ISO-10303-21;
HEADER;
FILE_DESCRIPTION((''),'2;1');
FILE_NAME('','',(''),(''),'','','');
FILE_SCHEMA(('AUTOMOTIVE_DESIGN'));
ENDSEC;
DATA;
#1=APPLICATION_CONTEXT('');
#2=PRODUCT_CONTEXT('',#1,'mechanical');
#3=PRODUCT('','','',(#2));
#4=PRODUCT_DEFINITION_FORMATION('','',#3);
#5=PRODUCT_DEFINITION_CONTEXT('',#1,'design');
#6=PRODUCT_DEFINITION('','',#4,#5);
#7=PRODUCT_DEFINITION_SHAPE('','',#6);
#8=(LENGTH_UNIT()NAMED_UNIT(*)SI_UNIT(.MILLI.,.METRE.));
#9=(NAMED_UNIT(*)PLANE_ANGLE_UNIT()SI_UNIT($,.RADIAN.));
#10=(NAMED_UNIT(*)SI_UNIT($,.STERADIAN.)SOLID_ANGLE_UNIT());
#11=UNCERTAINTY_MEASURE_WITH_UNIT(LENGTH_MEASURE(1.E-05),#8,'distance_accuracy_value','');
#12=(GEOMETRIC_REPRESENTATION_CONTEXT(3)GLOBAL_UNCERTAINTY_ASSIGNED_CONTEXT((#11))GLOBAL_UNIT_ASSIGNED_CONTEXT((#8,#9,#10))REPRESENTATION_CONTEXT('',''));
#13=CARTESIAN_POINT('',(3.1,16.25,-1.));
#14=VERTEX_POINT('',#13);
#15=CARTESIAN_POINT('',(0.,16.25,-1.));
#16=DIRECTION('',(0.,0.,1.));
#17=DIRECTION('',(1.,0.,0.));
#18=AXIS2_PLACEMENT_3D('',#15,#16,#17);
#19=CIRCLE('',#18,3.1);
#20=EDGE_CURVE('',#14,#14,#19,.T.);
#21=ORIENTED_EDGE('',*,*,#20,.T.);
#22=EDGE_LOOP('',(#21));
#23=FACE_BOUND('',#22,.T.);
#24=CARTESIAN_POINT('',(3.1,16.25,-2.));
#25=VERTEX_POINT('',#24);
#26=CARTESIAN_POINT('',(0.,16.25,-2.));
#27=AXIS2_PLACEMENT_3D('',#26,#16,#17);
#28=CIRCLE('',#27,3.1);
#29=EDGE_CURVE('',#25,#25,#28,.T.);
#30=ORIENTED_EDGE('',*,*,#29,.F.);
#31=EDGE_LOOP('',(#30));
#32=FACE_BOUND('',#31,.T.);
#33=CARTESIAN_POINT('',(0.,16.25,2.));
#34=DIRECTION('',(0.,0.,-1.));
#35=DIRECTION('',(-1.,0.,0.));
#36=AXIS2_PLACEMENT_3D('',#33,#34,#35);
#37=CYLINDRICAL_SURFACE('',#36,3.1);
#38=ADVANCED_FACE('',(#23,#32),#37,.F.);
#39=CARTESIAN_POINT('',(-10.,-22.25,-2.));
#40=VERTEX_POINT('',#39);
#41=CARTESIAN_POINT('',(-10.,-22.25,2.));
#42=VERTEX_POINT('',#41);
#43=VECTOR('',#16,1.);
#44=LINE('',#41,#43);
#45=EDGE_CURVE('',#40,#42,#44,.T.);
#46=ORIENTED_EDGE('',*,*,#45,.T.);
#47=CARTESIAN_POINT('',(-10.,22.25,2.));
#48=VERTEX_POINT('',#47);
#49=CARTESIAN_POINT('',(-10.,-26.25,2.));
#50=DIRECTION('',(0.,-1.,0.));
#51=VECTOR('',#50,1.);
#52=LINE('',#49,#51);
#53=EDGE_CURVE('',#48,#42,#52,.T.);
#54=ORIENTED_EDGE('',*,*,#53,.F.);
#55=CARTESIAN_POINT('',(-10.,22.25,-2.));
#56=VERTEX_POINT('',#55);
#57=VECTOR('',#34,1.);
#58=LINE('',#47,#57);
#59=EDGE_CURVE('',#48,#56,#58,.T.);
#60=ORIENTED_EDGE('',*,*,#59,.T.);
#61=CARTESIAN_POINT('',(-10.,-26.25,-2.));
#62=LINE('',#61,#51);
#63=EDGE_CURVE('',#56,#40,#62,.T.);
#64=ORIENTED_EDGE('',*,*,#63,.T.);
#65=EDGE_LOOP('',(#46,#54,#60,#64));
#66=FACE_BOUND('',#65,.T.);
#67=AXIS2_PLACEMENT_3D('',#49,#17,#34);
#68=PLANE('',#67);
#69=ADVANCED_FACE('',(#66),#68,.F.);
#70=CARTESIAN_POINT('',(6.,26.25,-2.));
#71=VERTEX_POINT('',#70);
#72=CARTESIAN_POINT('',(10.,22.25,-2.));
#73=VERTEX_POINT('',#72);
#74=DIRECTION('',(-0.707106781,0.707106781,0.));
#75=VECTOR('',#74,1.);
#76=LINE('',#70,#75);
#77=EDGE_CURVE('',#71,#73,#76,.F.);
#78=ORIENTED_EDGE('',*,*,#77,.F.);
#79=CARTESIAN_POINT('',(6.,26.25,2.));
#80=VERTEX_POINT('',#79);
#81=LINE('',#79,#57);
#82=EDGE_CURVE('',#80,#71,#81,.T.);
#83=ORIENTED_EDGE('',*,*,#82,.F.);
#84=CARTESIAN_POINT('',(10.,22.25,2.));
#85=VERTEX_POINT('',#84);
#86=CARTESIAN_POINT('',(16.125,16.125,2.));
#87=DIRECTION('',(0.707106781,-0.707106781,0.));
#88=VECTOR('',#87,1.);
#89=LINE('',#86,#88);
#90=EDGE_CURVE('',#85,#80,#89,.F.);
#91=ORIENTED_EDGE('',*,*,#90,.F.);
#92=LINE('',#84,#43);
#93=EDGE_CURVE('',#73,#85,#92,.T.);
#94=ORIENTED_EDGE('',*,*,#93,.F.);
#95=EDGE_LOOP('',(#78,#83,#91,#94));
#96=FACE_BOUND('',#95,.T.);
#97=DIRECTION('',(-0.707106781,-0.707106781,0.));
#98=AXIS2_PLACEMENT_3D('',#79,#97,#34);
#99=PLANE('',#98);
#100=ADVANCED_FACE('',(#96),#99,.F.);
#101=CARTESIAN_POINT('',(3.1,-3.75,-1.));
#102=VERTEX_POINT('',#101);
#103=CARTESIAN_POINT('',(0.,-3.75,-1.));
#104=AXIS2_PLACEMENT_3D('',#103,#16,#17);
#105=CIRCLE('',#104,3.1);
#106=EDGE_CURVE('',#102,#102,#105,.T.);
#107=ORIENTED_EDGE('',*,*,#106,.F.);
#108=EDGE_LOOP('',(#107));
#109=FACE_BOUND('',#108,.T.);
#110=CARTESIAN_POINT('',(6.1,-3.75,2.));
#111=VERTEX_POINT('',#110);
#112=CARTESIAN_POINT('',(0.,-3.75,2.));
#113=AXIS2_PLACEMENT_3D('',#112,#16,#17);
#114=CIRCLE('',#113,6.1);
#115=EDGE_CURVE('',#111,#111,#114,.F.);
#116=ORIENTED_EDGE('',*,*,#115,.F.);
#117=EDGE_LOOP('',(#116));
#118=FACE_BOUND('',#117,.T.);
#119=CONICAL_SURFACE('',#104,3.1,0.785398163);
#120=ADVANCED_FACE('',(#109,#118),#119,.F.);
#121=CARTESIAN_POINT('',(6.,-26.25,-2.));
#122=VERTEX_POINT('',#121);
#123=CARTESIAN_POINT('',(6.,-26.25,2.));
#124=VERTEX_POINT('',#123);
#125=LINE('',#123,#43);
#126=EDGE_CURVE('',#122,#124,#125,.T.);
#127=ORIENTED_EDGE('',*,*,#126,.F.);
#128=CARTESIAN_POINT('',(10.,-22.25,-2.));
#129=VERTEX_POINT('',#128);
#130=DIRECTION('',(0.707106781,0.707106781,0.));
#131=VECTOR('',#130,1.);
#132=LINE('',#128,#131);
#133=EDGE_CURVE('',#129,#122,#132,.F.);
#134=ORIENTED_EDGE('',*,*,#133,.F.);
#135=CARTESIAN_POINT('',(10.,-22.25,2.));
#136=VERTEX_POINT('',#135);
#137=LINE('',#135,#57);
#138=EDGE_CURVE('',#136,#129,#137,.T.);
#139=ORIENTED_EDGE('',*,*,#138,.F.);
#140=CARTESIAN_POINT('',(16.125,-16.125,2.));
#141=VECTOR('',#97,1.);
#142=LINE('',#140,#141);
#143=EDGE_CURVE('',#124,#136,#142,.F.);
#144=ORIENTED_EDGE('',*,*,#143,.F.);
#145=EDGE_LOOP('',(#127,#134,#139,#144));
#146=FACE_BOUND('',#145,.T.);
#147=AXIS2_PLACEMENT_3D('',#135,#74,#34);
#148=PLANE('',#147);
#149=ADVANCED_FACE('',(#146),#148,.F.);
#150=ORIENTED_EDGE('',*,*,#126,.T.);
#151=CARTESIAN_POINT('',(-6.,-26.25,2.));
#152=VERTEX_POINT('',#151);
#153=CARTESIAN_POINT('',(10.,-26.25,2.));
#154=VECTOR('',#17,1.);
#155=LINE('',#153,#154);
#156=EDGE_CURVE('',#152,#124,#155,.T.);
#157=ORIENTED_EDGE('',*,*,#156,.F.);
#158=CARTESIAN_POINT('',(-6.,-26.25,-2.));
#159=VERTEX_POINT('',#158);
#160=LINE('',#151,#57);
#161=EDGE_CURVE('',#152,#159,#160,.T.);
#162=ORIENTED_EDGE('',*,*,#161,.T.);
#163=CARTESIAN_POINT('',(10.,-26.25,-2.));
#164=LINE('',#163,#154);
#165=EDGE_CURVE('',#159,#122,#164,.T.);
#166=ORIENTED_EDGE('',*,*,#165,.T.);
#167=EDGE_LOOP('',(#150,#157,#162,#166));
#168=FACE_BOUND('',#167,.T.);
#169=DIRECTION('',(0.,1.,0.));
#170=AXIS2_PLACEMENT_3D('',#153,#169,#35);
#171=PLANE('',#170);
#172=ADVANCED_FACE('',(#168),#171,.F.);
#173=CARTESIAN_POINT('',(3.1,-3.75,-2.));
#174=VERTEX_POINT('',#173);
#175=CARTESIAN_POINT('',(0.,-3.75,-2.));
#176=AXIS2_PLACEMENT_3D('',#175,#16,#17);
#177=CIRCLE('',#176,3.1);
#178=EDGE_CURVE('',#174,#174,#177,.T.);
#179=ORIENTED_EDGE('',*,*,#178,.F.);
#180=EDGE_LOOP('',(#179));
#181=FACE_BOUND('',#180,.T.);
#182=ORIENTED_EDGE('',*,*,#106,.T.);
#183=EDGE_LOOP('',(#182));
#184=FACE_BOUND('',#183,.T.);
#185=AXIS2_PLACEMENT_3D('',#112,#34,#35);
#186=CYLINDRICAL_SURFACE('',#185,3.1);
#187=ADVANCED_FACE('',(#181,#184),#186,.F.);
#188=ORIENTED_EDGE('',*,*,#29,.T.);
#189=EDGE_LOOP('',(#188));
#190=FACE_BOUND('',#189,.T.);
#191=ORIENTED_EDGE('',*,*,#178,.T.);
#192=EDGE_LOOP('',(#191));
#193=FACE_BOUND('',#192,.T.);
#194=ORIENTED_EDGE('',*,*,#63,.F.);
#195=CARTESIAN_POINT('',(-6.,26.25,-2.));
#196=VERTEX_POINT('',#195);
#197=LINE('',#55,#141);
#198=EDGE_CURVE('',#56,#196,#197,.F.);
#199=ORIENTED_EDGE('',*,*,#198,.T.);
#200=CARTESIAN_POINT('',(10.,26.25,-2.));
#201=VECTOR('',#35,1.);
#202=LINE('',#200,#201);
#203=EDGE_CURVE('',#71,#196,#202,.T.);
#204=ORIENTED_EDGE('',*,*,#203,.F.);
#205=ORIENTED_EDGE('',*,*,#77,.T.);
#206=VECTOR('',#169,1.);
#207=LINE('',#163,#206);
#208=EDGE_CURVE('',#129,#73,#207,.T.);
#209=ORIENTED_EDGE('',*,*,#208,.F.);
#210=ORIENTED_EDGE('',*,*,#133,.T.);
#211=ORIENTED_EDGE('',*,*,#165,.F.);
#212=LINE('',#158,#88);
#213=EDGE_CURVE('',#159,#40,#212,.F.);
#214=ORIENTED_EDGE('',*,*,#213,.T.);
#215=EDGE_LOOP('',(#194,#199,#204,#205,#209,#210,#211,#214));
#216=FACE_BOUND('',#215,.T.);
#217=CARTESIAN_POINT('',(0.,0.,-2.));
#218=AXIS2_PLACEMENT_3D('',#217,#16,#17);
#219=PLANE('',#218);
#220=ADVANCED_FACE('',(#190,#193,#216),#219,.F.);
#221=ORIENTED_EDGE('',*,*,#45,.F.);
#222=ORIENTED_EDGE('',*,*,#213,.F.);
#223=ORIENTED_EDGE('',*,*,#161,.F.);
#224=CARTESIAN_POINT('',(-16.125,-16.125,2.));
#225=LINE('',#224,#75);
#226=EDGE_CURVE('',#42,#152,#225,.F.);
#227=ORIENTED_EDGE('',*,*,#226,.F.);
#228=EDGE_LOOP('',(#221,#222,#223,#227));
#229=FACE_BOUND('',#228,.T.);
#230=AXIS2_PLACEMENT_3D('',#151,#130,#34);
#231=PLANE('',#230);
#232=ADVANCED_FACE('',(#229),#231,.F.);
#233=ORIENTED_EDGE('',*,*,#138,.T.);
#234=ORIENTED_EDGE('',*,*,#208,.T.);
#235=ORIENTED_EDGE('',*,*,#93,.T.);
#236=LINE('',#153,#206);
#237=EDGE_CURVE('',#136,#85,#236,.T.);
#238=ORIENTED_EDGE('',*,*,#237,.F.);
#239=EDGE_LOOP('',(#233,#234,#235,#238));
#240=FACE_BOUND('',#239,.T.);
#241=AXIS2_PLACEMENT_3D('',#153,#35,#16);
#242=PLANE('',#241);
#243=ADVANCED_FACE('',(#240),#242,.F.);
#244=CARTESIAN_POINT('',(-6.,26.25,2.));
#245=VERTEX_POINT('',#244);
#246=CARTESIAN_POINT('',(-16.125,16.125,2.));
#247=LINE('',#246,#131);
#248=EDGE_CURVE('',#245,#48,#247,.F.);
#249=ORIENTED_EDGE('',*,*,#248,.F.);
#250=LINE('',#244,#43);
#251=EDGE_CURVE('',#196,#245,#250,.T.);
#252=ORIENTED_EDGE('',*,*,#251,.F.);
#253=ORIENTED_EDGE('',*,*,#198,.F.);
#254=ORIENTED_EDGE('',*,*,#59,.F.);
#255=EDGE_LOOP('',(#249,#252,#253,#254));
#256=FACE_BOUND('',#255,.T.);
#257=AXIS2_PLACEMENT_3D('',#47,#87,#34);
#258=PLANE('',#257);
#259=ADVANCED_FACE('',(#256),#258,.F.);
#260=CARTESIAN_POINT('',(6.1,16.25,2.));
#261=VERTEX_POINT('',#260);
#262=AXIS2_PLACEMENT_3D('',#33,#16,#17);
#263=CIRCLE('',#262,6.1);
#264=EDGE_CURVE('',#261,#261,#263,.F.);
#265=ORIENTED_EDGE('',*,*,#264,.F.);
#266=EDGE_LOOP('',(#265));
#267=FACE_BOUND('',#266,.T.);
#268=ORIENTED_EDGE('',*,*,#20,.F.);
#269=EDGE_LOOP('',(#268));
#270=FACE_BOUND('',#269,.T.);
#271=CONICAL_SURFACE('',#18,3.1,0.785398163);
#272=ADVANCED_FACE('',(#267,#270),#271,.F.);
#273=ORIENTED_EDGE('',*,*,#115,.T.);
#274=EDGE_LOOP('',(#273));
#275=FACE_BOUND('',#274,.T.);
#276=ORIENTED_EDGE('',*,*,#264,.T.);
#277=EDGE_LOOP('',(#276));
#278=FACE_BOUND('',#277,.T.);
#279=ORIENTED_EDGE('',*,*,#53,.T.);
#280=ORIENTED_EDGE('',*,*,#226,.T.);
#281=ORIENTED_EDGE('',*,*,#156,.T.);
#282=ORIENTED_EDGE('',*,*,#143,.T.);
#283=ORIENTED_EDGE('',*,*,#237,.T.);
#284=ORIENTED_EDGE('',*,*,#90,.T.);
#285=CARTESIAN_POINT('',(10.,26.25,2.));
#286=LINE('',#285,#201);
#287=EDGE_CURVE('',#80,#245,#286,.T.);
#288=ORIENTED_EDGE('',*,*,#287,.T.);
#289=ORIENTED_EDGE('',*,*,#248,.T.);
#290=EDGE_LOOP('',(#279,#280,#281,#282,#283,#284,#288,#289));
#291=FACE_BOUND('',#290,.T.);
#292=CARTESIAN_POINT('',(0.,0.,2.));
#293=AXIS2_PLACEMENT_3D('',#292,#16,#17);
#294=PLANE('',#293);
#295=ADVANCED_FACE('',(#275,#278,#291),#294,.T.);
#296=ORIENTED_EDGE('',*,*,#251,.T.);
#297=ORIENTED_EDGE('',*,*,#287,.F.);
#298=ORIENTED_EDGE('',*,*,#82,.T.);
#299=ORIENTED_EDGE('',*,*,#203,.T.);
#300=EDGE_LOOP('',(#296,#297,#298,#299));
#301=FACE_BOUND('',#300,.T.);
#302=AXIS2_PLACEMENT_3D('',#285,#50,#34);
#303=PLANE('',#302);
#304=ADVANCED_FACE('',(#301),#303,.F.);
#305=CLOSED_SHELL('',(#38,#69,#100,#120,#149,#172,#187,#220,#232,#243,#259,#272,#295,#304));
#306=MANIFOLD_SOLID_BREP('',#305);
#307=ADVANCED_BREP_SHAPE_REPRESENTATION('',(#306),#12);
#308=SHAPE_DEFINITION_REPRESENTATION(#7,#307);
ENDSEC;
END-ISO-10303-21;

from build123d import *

# Parameters (mm, degrees)
SKETCH_1_W      = 20
SKETCH_1_H      = 52.5
SKETCH_1_R      = 3.1
EXTRUDE_1_DEPTH = 2
CHAMFER_1_SIZE  = 4
CHAMFER_2_SIZE  = 3


with BuildPart() as part:
    # 草图1 → 凸台-拉伸1 (new, symmetric)
    with BuildSketch(Plane.XY):
        Rectangle(SKETCH_1_W, SKETCH_1_H)
        with Locations((0, 16.25)):
            Circle(SKETCH_1_R, mode=Mode.SUBTRACT)
        with Locations((0, -3.75)):
            Circle(SKETCH_1_R, mode=Mode.SUBTRACT)
    extrude(amount=EXTRUDE_1_DEPTH, both=True)

    # 倒角1
    chamfer_1_edges = [part.edges().sort_by_distance(p)[0] for p in [
        (-10, 26.25, 0),
        (10, 26.25, 0),
        (10, -26.25, 0),
        (-10, -26.25, 0),
    ]]
    chamfer(chamfer_1_edges, length=CHAMFER_1_SIZE)

    # 倒角2
    chamfer_2_edges = [part.edges().sort_by_distance(p)[0] for p in [
        (-3.1, 16.25, 2),
        (-3.1, -3.75, 2),
    ]]
    chamfer(chamfer_2_edges, length=CHAMFER_2_SIZE)


solid = part.part
